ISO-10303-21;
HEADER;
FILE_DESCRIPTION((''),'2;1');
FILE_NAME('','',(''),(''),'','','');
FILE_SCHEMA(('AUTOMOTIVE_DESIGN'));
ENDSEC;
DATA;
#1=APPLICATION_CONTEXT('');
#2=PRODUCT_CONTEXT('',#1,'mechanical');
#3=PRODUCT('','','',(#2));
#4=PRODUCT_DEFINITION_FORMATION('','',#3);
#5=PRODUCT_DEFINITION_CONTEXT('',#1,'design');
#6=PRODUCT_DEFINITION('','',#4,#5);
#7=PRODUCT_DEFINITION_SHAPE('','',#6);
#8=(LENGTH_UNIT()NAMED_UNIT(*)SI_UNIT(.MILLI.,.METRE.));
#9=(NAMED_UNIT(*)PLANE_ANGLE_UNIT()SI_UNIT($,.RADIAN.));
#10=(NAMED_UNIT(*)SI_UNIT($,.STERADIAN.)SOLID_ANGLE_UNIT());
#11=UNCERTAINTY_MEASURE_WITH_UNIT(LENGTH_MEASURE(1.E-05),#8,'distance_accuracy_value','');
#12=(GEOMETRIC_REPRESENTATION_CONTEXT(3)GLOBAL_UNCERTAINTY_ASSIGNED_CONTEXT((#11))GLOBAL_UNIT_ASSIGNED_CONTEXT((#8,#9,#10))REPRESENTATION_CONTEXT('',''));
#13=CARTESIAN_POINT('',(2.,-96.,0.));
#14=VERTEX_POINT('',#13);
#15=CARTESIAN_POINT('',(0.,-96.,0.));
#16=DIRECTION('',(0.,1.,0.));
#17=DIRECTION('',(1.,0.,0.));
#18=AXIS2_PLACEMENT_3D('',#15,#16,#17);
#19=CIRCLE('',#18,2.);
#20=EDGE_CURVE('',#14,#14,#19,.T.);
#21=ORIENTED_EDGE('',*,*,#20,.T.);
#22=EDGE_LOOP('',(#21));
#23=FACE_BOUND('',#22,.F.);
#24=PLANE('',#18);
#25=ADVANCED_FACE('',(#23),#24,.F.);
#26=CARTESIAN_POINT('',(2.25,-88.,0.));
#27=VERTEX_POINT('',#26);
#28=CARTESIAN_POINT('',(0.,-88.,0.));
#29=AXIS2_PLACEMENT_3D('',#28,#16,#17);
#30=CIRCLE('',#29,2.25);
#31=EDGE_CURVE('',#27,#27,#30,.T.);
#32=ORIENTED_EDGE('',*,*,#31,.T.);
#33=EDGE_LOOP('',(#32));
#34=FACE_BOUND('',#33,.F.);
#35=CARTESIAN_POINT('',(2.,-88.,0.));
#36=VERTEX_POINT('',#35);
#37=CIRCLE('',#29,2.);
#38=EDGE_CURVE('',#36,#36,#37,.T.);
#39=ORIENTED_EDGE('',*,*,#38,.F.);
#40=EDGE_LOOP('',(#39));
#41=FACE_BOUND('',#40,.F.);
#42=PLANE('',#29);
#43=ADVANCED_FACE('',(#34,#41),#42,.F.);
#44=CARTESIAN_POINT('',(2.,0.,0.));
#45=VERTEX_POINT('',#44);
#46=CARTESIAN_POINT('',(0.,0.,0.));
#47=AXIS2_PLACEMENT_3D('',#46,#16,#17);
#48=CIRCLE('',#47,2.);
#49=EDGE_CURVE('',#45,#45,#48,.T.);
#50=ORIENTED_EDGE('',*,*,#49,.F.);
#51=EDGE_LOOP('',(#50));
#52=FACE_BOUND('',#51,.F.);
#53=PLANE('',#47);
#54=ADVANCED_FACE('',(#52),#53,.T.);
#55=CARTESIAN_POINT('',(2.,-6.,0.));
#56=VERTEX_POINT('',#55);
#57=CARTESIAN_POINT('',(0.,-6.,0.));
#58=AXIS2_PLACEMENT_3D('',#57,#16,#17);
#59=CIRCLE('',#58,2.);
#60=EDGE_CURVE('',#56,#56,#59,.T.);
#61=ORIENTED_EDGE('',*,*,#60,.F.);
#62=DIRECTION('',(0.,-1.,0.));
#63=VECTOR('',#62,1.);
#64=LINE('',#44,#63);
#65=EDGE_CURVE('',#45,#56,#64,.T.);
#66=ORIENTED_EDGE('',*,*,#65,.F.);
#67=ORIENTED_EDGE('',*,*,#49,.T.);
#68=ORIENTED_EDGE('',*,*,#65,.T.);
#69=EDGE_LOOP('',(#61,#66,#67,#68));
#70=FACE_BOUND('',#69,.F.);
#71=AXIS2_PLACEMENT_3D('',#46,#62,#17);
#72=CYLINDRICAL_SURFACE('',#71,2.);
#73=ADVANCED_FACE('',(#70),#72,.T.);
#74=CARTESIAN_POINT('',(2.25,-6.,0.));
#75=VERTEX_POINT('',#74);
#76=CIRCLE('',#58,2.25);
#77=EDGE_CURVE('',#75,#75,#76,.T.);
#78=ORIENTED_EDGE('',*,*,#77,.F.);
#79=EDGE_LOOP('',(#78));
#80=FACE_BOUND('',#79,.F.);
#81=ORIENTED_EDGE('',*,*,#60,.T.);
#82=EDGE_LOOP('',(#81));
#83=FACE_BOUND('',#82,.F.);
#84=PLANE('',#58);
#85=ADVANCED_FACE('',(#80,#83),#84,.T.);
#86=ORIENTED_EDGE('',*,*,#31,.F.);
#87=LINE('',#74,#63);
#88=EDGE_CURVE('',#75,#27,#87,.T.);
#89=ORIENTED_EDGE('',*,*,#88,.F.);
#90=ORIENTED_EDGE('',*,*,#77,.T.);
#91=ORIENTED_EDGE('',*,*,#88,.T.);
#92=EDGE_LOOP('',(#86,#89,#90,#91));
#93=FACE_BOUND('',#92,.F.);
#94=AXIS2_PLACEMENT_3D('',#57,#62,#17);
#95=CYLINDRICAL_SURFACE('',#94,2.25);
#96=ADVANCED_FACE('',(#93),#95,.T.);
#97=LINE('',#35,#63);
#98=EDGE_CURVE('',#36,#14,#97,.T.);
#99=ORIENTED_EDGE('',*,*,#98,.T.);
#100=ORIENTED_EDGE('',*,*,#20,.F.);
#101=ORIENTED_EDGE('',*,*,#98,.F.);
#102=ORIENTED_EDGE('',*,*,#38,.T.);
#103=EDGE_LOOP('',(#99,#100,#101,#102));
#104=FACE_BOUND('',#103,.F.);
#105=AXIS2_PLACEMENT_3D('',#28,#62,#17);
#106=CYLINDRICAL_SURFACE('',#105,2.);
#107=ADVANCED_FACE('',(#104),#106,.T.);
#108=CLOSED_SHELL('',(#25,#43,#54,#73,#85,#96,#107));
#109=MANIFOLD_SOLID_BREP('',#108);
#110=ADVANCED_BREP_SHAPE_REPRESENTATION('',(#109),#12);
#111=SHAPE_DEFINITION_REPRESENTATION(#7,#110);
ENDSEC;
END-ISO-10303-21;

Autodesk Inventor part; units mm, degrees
ref_plane "YZ Plane" through (0, 0, 0) normal (1, 0, 0) x (0, 1, 0)
ref_plane "XZ Plane" through (0, 0, 0) normal (0, 1, 0) x (-1, 0, 0)
ref_plane "XY Plane" through (0, 0, 0) normal (0, 0, 1) x (1, 0, 0)
sketch "Skizze1" plane through (0, 0, 0) normal (0, 0, 1) x (1, 0, 0)
  line L0 (0, 19.2) -> (0, -115.2) projected
  line L1 (-0.45, 0) -> (2.7, 0) projected
  line L2 (0, 0) -> (2, 0)
  line L3 (2.25, -6) -> (2.25, -88)
  line L4 (2.25, -88) -> (2, -88)
  line L5 (2, -88) -> (2, -96)
  line L6 (2, -96) -> (0, -96)
  line L7 (0, -96) -> (0, 0)
  line L8 (2, 0) -> (2, -6)
  line L9 (2, -6) -> (2.25, -6)
  point P0 (2.25, 0)
  dimension "d0" = 2
  dimension "d1" = 2.25
  dimension "d2" = 8
  dimension "d3" = 88
  dimension "d5" = 2
  dimension "d6" = 6
revolve "Umdrehung1" add sketch "Skizze1" angle 360 about axis through (0, -96, 0) along (0, 1, 0)
properties part number "Welle"
